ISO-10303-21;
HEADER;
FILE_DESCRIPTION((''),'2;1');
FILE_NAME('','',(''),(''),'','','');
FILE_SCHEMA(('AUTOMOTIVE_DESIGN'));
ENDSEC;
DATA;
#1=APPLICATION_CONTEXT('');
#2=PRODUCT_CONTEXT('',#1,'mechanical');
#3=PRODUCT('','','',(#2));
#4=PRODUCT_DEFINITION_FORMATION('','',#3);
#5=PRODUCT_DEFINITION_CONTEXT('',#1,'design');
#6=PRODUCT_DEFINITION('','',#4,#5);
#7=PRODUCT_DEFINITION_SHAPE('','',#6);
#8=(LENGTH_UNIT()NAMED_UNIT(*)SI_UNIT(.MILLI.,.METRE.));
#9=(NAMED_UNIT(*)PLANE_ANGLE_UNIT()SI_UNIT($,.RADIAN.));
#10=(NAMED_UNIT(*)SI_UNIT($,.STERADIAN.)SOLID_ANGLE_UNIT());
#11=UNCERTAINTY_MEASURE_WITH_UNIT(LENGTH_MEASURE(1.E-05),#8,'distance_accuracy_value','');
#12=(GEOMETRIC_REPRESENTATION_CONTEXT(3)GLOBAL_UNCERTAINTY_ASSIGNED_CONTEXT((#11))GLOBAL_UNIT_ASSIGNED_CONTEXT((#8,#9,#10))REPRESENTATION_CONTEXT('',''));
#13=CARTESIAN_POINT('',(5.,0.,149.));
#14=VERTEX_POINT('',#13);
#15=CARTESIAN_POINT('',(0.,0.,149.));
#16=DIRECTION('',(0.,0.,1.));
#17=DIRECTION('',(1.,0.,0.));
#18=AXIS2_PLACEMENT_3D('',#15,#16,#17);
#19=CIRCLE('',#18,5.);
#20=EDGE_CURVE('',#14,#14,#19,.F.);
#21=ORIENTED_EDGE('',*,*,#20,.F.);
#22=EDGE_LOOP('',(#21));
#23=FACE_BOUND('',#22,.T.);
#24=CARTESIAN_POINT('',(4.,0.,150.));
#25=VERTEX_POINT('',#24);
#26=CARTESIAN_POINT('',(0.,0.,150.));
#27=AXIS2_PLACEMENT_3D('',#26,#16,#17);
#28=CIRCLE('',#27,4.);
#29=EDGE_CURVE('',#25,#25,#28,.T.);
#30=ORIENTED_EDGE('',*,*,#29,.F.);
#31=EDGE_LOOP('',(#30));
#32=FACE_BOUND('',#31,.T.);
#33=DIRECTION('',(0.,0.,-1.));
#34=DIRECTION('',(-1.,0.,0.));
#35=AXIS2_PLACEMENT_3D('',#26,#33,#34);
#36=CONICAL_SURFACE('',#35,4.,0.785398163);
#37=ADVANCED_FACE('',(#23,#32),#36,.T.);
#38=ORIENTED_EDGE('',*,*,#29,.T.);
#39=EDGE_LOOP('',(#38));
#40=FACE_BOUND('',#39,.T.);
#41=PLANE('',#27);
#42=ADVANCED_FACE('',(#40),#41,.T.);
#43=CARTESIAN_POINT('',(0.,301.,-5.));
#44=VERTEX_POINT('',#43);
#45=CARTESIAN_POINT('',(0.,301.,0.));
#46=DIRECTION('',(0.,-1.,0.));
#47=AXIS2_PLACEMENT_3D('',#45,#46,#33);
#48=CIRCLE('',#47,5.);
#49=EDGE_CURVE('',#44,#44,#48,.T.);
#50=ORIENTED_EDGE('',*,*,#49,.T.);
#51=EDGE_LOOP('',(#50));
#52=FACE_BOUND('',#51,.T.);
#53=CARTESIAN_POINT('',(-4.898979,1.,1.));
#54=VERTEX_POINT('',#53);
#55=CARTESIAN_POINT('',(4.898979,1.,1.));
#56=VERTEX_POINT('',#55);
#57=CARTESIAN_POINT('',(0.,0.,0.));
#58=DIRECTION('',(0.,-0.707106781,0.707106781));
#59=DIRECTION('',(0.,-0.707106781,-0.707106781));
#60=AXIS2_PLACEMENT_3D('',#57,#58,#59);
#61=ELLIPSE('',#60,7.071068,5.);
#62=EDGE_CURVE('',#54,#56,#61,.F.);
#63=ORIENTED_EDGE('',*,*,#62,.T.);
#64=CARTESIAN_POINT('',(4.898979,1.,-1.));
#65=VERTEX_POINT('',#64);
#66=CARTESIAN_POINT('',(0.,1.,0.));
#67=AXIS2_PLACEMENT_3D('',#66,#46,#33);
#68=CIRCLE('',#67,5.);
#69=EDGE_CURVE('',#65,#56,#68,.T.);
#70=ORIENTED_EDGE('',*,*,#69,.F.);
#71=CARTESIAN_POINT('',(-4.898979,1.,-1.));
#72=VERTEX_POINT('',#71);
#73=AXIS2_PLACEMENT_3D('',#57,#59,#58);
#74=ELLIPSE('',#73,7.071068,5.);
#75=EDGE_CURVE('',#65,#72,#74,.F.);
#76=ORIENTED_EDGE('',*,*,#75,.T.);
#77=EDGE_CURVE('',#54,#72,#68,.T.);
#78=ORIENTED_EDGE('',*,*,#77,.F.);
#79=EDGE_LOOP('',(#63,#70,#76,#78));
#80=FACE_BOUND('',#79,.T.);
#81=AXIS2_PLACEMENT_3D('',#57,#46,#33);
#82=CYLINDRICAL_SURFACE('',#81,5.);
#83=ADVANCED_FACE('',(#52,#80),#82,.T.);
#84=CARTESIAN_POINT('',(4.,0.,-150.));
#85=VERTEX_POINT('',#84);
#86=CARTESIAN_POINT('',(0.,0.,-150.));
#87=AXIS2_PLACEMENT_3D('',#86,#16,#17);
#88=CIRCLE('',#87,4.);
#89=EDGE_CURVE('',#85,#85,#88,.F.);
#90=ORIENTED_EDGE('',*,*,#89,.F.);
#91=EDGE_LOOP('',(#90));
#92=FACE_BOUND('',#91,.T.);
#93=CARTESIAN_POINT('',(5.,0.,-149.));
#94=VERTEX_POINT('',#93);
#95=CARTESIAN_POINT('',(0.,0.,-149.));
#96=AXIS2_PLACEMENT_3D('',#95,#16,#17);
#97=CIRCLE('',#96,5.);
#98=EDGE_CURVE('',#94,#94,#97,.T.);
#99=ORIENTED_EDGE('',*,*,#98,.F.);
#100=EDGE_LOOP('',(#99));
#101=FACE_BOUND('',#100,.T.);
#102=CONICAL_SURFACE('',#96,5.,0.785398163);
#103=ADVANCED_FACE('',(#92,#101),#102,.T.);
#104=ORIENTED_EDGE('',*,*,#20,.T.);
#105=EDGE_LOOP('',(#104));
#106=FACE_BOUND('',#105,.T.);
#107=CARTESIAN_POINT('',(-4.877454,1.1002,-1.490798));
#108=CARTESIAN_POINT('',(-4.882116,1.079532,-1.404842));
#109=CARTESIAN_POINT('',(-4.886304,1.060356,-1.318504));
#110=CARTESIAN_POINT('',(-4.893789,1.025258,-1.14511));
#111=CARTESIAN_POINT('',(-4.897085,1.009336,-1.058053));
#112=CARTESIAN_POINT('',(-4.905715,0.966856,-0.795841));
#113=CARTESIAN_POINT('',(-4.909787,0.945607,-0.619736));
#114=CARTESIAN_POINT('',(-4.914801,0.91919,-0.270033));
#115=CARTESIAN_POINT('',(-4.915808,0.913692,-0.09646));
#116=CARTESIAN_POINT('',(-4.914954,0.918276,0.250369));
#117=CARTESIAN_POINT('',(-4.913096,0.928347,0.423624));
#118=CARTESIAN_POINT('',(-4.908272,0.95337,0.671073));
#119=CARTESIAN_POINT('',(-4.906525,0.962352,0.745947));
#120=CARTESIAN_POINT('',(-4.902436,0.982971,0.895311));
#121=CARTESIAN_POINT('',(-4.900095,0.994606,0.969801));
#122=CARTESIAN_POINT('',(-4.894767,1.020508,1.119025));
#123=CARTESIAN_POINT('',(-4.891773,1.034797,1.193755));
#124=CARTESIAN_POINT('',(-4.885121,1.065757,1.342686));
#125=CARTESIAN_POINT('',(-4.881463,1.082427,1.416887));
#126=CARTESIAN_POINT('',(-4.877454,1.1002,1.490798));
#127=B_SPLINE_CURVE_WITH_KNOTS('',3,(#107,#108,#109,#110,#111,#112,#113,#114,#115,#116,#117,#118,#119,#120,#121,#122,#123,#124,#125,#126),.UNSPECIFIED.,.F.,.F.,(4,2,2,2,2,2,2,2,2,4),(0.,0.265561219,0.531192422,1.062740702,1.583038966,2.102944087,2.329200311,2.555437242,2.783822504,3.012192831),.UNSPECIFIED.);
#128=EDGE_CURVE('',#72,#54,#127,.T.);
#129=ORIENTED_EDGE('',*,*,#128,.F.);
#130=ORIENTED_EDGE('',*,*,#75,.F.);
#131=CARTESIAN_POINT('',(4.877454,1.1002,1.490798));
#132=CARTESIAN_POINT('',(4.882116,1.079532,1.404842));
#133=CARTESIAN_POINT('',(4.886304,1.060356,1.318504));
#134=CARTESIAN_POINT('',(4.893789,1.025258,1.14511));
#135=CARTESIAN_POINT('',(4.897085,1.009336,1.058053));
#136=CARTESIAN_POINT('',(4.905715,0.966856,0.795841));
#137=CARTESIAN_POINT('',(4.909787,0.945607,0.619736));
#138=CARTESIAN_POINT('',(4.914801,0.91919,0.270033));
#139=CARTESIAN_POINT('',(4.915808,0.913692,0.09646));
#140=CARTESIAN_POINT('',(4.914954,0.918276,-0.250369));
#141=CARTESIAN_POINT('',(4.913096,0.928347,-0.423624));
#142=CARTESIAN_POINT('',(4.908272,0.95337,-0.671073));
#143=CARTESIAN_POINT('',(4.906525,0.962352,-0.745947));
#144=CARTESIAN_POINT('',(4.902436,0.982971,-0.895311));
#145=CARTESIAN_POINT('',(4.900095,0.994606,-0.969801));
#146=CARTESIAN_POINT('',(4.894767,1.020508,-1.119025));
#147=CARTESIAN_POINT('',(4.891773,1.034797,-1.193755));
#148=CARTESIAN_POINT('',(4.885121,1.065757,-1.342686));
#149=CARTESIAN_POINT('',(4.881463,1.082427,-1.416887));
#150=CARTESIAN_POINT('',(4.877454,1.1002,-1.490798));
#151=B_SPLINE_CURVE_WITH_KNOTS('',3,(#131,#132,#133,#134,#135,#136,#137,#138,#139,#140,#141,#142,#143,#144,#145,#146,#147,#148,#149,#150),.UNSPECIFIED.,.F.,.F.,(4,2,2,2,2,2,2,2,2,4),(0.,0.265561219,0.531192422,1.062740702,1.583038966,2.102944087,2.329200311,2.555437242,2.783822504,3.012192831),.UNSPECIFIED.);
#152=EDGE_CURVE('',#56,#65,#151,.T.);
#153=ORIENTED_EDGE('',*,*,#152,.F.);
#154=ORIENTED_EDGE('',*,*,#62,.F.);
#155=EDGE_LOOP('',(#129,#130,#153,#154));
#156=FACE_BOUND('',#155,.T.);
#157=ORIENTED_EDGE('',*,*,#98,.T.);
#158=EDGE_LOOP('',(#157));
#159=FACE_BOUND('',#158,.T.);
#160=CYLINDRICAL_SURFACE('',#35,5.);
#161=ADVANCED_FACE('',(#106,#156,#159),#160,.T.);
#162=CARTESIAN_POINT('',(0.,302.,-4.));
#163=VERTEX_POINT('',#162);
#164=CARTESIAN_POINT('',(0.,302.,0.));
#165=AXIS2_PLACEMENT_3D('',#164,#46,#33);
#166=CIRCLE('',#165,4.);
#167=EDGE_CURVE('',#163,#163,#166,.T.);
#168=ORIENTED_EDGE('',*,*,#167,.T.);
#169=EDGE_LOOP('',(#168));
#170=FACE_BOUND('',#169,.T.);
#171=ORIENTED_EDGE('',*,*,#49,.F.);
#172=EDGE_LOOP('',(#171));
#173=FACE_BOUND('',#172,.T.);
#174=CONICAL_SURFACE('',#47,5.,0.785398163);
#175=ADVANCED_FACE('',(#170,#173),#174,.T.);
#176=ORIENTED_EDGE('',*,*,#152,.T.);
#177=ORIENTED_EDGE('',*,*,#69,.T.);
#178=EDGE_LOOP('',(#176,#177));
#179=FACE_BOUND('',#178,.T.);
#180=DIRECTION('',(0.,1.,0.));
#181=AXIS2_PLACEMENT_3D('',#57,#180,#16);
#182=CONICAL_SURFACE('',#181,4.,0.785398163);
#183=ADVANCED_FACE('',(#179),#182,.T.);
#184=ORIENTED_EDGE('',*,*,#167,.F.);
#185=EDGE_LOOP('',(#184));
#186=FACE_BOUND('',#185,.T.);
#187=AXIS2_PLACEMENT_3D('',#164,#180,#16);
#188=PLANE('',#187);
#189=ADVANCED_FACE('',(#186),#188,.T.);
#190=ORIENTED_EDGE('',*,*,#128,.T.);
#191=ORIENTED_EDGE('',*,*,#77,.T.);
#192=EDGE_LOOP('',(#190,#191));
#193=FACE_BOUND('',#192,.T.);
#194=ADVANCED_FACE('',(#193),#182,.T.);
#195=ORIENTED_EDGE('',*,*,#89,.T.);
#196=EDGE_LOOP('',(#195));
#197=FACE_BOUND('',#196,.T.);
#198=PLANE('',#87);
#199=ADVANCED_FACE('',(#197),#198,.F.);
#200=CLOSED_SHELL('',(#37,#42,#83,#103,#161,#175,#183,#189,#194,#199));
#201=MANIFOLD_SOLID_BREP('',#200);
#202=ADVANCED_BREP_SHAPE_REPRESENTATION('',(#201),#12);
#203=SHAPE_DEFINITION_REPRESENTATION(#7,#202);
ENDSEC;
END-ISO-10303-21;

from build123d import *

# Parameters (mm, degrees)
SKETCH2_R           = 5
BOSS_EXTRUDE1_DEPTH = 150
CHAMFER1_SIZE       = 1


with BuildPart() as part:
    # Sketch1 → Revolve1 (revolve)
    with BuildSketch(Plane.XY, mode=Mode.PRIVATE) as revolve1_sk:
        Polygon((0, 0), (0, 302), (4, 302), (5, 301), (5, 1), (4, 0), align=None)
    revolve(revolve1_sk.sketch.rotate(Axis((0, 0, 0), (0, 1, 0)), 90), axis=Axis((0, 0, 0), (0, 1, 0)))

    # Sketch2 → Boss-Extrude1 (add, symmetric)
    with BuildSketch(Plane.XY):
        Circle(SKETCH2_R)
    extrude(amount=BOSS_EXTRUDE1_DEPTH, both=True)

    # Chamfer1
    chamfer1_edges = [part.edges().sort_by_distance(p)[0] for p in [
        (-5, 0, -150),
        (-5, 0, 150),
    ]]
    chamfer(chamfer1_edges, length=CHAMFER1_SIZE)


solid = part.part
